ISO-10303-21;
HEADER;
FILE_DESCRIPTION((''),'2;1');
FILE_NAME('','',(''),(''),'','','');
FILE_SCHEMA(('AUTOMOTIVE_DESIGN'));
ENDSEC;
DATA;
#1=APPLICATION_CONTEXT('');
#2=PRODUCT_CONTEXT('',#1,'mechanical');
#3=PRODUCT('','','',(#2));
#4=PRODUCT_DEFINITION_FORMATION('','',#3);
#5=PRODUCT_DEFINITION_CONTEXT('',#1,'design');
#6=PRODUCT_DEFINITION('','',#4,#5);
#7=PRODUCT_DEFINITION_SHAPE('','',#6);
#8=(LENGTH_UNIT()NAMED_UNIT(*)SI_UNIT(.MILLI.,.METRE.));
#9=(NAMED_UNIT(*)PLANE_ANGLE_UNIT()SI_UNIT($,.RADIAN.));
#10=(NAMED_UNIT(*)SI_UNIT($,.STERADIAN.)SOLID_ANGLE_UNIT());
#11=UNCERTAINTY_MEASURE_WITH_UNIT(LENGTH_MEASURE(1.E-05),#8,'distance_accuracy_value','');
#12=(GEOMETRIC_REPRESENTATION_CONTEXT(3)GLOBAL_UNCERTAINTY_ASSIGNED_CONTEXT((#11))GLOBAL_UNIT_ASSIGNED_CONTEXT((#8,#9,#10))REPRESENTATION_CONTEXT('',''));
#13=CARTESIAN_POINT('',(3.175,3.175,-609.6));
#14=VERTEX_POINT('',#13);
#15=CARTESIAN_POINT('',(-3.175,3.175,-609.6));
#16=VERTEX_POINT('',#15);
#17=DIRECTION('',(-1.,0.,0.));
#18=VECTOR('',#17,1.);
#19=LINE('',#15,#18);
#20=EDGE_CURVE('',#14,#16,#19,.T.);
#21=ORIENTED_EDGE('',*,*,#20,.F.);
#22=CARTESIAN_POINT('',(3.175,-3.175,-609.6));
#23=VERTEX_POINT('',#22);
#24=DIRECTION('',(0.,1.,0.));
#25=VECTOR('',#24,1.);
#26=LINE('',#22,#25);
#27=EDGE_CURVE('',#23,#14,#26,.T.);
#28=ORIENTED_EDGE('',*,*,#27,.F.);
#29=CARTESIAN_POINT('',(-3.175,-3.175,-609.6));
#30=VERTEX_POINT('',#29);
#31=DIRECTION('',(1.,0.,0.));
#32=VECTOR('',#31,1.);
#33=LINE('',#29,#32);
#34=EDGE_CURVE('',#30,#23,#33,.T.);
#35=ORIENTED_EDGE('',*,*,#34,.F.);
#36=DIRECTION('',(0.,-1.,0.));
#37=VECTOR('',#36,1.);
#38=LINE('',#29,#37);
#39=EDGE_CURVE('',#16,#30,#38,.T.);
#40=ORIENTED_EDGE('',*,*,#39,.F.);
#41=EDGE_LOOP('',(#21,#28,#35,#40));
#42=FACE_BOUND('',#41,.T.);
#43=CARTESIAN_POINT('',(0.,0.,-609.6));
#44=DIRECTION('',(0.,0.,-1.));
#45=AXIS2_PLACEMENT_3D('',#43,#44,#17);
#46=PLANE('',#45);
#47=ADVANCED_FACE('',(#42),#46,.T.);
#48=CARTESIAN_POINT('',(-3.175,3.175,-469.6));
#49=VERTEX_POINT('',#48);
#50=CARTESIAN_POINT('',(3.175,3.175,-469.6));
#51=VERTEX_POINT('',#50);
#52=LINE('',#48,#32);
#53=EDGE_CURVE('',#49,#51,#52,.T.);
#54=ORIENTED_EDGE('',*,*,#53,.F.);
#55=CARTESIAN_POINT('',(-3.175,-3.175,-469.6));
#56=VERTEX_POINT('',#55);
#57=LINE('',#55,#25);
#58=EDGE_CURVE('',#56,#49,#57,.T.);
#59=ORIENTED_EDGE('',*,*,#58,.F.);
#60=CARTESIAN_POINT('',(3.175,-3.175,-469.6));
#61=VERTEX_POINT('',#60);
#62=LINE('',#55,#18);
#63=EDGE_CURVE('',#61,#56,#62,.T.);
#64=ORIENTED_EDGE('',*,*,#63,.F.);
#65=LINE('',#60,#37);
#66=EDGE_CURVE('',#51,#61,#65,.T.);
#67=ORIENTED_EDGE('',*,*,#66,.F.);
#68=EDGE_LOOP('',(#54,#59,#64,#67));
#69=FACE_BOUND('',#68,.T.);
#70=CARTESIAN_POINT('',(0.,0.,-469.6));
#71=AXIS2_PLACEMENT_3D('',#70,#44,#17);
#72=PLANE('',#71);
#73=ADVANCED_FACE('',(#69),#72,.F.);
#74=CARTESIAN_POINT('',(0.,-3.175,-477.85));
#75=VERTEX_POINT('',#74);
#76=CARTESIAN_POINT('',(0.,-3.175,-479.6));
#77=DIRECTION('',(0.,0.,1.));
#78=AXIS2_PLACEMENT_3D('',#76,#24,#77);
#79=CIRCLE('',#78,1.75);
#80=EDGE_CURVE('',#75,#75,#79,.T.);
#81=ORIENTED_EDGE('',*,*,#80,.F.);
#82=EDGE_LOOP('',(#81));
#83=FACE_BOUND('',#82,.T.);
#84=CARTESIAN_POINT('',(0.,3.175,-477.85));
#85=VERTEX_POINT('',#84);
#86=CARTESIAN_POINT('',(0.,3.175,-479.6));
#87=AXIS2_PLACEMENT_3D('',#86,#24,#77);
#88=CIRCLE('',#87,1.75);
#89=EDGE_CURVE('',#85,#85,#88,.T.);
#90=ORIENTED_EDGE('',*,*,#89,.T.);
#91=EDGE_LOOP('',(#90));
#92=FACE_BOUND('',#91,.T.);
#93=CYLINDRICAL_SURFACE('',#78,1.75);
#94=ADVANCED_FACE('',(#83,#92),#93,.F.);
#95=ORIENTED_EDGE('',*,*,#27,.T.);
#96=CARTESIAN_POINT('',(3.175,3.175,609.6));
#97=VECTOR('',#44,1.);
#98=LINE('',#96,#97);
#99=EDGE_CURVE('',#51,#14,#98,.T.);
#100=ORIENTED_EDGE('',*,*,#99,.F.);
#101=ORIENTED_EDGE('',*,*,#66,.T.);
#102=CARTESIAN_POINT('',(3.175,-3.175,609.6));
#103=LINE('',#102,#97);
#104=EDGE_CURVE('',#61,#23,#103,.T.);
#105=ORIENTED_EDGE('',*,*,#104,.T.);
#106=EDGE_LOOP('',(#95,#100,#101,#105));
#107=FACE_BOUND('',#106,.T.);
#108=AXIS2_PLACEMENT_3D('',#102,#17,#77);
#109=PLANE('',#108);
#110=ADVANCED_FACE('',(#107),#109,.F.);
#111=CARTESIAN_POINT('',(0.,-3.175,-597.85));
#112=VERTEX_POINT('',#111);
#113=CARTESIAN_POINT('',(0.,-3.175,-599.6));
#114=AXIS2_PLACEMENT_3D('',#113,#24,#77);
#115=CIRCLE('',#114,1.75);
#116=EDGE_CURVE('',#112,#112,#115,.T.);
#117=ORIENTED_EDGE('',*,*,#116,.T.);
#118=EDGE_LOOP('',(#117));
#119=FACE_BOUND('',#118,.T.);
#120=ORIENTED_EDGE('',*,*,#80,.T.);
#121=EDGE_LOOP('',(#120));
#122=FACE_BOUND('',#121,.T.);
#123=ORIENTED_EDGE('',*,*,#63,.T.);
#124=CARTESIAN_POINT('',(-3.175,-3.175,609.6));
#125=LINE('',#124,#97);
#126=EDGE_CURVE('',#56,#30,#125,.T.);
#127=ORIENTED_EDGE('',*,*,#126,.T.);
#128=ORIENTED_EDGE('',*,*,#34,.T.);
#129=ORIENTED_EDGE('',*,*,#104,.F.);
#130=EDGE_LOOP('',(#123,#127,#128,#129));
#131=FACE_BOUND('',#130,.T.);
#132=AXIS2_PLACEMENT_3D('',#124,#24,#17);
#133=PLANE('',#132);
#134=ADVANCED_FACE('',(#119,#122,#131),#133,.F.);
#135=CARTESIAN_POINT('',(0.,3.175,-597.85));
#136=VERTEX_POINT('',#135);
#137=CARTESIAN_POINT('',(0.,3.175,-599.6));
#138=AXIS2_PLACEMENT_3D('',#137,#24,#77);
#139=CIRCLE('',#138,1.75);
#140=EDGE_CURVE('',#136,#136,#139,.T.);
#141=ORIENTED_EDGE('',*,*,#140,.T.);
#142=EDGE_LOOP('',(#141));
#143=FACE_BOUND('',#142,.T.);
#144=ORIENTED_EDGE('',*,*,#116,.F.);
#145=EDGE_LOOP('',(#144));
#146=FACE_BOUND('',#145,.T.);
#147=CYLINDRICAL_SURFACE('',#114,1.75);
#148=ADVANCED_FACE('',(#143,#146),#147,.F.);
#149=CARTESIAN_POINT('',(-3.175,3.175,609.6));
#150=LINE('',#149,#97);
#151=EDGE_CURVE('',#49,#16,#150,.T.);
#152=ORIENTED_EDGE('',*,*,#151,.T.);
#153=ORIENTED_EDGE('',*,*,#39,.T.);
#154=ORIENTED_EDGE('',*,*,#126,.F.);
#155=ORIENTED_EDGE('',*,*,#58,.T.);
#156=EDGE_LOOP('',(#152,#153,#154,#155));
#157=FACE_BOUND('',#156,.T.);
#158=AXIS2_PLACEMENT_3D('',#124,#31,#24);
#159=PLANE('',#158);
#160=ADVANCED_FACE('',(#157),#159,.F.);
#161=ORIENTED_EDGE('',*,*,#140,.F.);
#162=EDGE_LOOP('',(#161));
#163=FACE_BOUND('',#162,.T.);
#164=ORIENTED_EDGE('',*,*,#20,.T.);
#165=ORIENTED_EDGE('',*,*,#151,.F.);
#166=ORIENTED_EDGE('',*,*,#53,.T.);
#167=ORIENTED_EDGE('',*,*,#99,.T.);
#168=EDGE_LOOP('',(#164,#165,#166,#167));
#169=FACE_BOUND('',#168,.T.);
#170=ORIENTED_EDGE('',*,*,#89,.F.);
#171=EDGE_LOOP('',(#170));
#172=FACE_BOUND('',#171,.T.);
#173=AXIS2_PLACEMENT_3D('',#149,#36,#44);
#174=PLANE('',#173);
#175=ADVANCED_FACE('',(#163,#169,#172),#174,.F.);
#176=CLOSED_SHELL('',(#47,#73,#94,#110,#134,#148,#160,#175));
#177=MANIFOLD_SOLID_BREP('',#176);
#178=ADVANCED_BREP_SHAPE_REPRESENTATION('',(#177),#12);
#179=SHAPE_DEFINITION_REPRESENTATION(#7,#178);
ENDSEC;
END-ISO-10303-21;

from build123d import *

# Parameters (mm, degrees)
BOSS_EXTRUDE1_DEPTH      = 609.6
BOSS_EXTRUDE1_DEPTH_BACK = 609.6
SKETCH3_W                = 6.35
SKETCH3_H                = 6.35
SKETCH4_W                = 7.35
SKETCH4_H                = 7.35
CUT_EXTRUDE1_DEPTH       = 1080.209340791
SKETCH5_R                = 1.75
CUT_EXTRUDE2_DEPTH       = 610.641339744


with BuildPart() as part:
    # Sketch3 → Boss-Extrude1 (new, two sides: drawn at the far end of the back side and taken through both)
    with BuildSketch(Plane.XY.offset(-BOSS_EXTRUDE1_DEPTH_BACK)):
        Rectangle(SKETCH3_W, SKETCH3_H)
    extrude(amount=BOSS_EXTRUDE1_DEPTH + BOSS_EXTRUDE1_DEPTH_BACK)

    # Sketch4 → Cut-Extrude1 (cut, through all)
    with BuildSketch(Plane(origin=(0, 0, -469.6), x_dir=(-1, 0, 0), z_dir=(0, 0, -1))):
        Rectangle(SKETCH4_W, SKETCH4_H)
    extrude(amount=-CUT_EXTRUDE1_DEPTH, mode=Mode.SUBTRACT)

    # Sketch5 → Cut-Extrude2 (cut, through all)
    with BuildSketch(Plane(origin=(0, 3.175, 0), x_dir=(1, 0, 0), z_dir=(0, 1, 0))):
        with Locations(Location((0, 599.6, 0), (0, 0, 270))):
            Circle(SKETCH5_R)
        with Locations(Location((0, 479.6, 0), (0, 0, 270))):
            Circle(SKETCH5_R)
    extrude(amount=-CUT_EXTRUDE2_DEPTH, mode=Mode.SUBTRACT)


solid = part.part
